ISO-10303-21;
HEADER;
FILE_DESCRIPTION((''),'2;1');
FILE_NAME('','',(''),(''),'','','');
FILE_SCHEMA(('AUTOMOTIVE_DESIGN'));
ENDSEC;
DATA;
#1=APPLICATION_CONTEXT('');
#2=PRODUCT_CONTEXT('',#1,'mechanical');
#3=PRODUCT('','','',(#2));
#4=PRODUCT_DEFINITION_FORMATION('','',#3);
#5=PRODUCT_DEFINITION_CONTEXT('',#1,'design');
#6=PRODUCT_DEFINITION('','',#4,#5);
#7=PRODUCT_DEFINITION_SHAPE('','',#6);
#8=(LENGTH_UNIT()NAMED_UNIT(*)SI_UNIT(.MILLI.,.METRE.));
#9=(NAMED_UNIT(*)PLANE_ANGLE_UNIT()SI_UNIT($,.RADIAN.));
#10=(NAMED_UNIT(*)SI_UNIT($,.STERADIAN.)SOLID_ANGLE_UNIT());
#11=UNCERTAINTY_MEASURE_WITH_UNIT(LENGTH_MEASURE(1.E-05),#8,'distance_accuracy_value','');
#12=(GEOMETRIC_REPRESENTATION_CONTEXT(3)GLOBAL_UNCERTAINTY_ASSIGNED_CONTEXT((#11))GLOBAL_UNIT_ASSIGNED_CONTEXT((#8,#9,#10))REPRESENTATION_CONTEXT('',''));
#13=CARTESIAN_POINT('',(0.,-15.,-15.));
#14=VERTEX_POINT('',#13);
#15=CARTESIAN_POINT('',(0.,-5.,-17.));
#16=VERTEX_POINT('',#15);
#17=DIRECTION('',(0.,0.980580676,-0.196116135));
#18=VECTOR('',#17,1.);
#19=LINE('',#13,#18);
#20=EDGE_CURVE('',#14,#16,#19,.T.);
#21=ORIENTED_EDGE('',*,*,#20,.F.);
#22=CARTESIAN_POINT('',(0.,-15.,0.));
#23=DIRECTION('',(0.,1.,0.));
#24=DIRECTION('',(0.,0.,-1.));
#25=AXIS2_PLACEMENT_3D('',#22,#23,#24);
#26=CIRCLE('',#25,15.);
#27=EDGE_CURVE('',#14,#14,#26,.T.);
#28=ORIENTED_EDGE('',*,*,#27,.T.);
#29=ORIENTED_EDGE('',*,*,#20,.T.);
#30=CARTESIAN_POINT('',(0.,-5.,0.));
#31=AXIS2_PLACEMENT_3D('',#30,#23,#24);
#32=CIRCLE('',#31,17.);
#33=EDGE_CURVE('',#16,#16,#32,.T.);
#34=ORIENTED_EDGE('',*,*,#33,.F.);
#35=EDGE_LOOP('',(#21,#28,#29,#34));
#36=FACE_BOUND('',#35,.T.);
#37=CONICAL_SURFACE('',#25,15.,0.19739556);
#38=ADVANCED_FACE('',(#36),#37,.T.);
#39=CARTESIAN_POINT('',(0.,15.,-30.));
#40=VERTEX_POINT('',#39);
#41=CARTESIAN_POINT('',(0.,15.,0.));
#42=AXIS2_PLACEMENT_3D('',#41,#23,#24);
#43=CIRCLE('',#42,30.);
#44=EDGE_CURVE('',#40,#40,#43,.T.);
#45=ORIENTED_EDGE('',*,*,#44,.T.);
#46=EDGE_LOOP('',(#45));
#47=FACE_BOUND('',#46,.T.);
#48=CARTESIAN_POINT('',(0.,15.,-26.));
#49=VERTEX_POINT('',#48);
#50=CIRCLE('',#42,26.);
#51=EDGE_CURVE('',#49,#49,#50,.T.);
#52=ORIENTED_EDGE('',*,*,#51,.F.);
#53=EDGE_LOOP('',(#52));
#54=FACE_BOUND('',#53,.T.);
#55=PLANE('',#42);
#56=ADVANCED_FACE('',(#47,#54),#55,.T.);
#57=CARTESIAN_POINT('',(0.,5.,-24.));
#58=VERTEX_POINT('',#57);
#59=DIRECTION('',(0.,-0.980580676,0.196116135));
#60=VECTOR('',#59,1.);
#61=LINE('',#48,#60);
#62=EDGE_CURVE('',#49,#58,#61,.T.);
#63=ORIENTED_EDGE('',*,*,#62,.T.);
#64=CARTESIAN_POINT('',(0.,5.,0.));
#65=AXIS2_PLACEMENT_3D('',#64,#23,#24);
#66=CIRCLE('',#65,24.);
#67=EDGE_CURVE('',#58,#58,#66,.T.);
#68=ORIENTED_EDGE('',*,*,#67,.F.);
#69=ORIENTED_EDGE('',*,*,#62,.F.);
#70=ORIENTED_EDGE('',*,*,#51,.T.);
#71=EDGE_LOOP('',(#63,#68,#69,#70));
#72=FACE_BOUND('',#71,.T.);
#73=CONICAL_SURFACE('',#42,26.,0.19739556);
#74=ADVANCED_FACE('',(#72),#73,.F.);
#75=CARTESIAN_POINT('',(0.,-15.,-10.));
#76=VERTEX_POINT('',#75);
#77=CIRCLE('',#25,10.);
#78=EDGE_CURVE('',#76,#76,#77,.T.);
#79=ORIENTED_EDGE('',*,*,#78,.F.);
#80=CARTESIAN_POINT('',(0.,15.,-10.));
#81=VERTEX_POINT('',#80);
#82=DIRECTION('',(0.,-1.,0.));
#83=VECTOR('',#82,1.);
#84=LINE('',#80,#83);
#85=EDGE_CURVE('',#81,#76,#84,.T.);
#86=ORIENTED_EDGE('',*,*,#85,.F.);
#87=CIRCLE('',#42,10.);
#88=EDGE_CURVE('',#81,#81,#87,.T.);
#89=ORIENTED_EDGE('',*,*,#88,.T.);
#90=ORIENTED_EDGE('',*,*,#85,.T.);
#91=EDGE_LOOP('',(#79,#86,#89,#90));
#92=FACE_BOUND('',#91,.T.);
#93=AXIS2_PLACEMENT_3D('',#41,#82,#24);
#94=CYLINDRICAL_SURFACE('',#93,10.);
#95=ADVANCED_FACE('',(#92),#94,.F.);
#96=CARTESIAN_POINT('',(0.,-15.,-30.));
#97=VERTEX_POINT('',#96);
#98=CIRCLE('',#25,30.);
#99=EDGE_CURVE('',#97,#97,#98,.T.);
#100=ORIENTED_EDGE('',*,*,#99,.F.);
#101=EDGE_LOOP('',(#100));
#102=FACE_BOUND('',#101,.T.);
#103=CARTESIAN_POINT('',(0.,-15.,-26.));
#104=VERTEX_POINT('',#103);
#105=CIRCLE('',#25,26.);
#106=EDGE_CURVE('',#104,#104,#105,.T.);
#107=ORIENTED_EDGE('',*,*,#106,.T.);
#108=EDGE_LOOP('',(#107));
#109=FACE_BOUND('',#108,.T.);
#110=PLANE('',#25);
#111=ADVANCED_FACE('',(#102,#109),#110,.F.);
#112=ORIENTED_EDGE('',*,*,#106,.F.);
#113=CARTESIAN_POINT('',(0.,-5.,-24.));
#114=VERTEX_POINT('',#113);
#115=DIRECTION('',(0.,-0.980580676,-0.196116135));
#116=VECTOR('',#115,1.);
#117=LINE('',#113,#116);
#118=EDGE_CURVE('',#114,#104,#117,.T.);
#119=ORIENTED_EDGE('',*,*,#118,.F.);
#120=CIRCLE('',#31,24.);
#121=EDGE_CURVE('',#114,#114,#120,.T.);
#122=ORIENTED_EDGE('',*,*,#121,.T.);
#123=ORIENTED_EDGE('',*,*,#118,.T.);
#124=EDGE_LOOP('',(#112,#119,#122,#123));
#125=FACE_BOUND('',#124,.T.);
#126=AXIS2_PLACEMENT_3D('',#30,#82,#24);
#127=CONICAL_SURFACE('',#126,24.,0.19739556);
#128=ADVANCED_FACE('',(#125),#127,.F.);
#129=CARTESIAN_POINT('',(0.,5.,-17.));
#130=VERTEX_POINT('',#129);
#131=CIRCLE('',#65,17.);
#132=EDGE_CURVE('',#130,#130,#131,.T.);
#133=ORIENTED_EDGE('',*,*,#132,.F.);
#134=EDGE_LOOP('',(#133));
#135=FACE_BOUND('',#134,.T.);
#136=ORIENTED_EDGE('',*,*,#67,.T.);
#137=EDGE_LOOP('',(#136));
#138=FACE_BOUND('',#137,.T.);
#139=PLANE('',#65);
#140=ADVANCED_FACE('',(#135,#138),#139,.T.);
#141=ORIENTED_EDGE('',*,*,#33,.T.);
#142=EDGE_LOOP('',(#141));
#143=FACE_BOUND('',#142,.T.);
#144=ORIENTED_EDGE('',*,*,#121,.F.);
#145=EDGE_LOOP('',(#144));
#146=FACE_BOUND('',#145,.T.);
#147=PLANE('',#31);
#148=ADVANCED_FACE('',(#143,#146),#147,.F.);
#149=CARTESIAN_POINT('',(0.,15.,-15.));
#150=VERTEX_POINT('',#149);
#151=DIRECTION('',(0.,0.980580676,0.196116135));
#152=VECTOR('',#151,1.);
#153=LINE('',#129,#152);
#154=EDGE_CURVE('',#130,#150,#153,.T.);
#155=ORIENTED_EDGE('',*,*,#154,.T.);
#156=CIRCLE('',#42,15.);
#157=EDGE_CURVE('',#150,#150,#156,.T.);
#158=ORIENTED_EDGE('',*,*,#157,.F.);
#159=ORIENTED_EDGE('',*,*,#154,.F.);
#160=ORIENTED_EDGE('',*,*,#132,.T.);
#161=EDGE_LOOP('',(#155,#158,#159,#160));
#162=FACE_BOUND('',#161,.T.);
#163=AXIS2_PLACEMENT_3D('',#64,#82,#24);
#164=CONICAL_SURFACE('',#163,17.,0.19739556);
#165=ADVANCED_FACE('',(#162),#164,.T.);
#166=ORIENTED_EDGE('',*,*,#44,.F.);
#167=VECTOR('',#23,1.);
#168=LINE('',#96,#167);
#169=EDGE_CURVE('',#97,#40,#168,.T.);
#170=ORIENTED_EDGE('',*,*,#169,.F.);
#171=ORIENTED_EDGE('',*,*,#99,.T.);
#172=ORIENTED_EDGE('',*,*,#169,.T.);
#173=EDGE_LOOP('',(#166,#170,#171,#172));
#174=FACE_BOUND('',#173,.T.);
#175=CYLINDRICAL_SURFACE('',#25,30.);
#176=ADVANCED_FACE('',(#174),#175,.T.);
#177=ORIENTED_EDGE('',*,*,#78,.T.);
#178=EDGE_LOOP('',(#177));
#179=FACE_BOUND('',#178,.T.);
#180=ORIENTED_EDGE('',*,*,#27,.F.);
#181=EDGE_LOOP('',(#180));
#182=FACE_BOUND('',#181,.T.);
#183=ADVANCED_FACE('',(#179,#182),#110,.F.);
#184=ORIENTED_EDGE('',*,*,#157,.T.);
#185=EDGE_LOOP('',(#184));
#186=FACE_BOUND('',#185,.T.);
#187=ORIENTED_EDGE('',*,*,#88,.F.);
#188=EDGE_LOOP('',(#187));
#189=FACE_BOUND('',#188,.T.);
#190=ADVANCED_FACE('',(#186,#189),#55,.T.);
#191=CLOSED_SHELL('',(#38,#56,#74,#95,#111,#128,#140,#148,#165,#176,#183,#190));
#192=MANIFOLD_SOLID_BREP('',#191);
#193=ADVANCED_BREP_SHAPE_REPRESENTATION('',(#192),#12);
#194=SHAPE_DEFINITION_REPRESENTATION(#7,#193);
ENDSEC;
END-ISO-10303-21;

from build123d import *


with BuildPart() as f1:
    # F0 (on Right) → F1 (revolve)
    with BuildSketch(Plane.YZ):
        Polygon((-15, -30), (15, -30), (15, -26), (5, -24), (5, -17), (15, -15), (15, -10), (0, -10), (-15, -10), (-15, -15), (-5, -17), (-5, -24), (-15, -26), align=None)
    revolve(axis=Axis((0, 0, 0), (0, 1, 0)))


solid = f1.part
